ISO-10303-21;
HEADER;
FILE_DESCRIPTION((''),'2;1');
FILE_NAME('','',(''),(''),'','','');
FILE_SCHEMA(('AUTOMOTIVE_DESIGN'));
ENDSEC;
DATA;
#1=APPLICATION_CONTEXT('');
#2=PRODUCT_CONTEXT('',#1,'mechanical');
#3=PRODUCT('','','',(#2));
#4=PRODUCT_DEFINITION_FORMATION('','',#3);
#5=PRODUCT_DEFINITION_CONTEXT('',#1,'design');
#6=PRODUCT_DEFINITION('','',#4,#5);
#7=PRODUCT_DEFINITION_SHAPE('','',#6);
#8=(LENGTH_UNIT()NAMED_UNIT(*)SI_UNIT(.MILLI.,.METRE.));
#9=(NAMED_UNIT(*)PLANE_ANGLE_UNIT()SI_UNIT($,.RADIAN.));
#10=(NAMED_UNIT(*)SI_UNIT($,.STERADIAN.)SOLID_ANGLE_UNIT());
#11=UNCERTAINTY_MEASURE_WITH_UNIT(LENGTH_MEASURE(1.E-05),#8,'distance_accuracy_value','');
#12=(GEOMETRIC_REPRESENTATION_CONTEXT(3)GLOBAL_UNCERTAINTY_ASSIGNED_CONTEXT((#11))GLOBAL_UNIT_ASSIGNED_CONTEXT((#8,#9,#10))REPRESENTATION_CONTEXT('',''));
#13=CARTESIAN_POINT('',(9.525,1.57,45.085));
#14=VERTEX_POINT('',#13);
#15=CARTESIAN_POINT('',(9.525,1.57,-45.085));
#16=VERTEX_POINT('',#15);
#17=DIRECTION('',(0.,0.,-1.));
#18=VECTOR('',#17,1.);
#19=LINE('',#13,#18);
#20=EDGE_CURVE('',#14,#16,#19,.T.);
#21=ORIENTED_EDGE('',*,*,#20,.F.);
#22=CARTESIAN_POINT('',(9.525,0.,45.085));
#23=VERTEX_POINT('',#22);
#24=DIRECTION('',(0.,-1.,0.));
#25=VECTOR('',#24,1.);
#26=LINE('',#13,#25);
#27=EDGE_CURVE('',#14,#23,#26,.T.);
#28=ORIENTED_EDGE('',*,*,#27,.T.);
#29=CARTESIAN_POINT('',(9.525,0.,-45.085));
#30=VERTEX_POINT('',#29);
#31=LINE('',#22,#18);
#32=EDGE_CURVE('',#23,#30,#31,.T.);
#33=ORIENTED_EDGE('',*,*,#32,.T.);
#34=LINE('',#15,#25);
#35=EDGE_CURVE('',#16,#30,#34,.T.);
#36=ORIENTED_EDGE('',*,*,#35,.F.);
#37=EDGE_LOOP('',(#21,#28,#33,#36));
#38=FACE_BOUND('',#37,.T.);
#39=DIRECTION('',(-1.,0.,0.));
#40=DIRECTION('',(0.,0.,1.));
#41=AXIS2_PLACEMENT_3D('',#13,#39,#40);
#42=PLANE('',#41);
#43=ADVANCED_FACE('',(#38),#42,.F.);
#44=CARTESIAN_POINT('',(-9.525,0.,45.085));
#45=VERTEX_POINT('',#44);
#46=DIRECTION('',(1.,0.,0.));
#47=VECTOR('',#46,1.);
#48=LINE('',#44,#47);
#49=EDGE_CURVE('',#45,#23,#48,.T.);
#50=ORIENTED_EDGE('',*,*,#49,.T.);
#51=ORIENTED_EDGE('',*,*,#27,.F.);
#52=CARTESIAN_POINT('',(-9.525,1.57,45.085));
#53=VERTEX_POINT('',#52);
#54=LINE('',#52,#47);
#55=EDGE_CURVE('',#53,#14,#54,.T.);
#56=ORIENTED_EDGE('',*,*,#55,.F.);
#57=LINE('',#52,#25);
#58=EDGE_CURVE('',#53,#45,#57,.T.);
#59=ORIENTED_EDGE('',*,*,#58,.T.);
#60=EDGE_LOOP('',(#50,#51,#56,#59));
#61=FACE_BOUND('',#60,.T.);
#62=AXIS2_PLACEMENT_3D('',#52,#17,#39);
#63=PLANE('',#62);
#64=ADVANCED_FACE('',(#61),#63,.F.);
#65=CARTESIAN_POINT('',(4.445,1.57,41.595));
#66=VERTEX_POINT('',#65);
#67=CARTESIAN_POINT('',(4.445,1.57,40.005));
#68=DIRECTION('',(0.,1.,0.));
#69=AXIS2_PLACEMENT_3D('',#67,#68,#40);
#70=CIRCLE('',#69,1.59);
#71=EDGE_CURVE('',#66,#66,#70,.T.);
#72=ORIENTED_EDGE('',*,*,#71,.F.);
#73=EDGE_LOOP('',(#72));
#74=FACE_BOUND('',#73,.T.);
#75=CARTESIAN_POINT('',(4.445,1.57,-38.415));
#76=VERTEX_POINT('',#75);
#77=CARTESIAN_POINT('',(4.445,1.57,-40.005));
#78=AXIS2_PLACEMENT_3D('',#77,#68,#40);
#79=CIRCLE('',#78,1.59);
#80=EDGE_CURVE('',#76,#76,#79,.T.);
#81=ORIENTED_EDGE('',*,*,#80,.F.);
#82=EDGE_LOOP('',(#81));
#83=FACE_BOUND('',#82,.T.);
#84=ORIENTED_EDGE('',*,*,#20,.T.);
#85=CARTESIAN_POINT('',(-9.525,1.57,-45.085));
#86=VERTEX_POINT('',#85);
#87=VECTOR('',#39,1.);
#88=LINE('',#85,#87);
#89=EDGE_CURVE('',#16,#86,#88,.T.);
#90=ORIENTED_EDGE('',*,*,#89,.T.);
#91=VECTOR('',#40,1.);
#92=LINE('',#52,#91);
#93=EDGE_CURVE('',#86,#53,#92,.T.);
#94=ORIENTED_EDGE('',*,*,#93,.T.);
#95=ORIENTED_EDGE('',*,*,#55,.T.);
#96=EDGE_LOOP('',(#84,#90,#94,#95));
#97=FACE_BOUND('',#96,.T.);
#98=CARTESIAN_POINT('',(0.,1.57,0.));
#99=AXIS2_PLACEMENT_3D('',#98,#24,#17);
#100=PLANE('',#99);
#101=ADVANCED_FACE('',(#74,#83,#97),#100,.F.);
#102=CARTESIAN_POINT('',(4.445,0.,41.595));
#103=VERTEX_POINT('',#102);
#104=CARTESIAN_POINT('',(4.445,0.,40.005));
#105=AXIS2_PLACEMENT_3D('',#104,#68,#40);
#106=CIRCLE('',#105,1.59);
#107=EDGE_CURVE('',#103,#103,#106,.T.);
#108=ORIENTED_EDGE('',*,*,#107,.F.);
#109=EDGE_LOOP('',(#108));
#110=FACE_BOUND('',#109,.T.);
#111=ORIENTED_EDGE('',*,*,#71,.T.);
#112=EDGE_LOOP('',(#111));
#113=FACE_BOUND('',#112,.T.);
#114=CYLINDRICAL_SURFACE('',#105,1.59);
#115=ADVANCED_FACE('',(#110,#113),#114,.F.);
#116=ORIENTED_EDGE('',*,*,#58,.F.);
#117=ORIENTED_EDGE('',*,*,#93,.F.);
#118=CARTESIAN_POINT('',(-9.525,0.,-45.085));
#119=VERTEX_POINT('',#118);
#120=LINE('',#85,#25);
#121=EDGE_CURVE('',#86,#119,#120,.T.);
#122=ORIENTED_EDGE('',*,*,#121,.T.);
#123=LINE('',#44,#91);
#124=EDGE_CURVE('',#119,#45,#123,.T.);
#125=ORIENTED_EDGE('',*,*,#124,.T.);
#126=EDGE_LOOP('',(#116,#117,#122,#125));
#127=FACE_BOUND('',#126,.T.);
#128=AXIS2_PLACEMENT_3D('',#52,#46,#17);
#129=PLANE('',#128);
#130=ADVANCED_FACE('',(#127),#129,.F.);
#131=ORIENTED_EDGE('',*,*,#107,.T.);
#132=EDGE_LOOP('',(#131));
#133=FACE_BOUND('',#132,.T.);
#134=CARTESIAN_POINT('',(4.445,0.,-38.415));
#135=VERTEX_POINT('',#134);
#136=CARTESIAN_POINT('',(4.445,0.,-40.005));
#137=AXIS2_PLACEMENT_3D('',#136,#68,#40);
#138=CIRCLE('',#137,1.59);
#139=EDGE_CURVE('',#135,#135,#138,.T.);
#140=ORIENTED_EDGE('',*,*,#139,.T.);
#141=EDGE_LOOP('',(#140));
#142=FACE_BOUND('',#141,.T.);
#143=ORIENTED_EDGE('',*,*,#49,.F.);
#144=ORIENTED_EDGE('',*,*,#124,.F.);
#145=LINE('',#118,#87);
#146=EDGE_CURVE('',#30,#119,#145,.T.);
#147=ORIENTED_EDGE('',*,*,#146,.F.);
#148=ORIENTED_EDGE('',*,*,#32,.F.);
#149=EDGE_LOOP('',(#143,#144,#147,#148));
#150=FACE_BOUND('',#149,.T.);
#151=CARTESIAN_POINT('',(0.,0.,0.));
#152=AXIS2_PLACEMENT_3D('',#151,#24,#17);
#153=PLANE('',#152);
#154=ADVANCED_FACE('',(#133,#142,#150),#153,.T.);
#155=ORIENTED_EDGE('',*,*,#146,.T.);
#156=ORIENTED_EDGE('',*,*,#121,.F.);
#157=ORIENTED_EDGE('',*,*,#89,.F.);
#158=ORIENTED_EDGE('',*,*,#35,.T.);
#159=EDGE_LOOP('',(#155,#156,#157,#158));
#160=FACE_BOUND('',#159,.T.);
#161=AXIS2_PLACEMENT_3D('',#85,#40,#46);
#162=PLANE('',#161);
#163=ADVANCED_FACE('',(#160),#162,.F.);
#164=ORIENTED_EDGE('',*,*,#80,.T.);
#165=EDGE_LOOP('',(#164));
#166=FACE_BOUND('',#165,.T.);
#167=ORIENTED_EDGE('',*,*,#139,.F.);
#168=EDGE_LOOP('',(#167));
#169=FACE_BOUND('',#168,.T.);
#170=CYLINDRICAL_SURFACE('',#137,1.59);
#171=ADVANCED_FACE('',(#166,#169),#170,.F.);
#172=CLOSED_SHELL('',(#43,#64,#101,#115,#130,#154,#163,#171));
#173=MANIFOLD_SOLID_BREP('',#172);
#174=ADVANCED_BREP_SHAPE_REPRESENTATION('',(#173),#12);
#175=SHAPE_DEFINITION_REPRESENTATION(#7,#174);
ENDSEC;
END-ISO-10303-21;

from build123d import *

# Parameters (mm, degrees)
SKETCH1_W           = 19.05
SKETCH1_H           = 90.17
BOSS_EXTRUDE1_DEPTH = 1.57
SKETCH2_R           = 1.59
CUT_EXTRUDE1_DEPTH  = 47.106916509


with BuildPart() as part:
    # Sketch1 → Boss-Extrude1 (new body)
    with BuildSketch(Plane(origin=(0, 0, 0), x_dir=(1, 0, 0), z_dir=(0, 1, 0))):
        Rectangle(SKETCH1_W, SKETCH1_H)
    extrude(amount=BOSS_EXTRUDE1_DEPTH)

    # Sketch2 → Cut-Extrude1 (cut, through all)
    with BuildSketch(Plane(origin=(0, 1.57, 0), x_dir=(1, 0, 0), z_dir=(0, 1, 0))):
        with Locations(Location((4.445, -40.005, 0), (0, 0, 270))):
            Circle(SKETCH2_R)
        with Locations(Location((4.445, 40.005, 0), (0, 0, 270))):
            Circle(SKETCH2_R)
    extrude(amount=-CUT_EXTRUDE1_DEPTH, mode=Mode.SUBTRACT)


solid = part.part
